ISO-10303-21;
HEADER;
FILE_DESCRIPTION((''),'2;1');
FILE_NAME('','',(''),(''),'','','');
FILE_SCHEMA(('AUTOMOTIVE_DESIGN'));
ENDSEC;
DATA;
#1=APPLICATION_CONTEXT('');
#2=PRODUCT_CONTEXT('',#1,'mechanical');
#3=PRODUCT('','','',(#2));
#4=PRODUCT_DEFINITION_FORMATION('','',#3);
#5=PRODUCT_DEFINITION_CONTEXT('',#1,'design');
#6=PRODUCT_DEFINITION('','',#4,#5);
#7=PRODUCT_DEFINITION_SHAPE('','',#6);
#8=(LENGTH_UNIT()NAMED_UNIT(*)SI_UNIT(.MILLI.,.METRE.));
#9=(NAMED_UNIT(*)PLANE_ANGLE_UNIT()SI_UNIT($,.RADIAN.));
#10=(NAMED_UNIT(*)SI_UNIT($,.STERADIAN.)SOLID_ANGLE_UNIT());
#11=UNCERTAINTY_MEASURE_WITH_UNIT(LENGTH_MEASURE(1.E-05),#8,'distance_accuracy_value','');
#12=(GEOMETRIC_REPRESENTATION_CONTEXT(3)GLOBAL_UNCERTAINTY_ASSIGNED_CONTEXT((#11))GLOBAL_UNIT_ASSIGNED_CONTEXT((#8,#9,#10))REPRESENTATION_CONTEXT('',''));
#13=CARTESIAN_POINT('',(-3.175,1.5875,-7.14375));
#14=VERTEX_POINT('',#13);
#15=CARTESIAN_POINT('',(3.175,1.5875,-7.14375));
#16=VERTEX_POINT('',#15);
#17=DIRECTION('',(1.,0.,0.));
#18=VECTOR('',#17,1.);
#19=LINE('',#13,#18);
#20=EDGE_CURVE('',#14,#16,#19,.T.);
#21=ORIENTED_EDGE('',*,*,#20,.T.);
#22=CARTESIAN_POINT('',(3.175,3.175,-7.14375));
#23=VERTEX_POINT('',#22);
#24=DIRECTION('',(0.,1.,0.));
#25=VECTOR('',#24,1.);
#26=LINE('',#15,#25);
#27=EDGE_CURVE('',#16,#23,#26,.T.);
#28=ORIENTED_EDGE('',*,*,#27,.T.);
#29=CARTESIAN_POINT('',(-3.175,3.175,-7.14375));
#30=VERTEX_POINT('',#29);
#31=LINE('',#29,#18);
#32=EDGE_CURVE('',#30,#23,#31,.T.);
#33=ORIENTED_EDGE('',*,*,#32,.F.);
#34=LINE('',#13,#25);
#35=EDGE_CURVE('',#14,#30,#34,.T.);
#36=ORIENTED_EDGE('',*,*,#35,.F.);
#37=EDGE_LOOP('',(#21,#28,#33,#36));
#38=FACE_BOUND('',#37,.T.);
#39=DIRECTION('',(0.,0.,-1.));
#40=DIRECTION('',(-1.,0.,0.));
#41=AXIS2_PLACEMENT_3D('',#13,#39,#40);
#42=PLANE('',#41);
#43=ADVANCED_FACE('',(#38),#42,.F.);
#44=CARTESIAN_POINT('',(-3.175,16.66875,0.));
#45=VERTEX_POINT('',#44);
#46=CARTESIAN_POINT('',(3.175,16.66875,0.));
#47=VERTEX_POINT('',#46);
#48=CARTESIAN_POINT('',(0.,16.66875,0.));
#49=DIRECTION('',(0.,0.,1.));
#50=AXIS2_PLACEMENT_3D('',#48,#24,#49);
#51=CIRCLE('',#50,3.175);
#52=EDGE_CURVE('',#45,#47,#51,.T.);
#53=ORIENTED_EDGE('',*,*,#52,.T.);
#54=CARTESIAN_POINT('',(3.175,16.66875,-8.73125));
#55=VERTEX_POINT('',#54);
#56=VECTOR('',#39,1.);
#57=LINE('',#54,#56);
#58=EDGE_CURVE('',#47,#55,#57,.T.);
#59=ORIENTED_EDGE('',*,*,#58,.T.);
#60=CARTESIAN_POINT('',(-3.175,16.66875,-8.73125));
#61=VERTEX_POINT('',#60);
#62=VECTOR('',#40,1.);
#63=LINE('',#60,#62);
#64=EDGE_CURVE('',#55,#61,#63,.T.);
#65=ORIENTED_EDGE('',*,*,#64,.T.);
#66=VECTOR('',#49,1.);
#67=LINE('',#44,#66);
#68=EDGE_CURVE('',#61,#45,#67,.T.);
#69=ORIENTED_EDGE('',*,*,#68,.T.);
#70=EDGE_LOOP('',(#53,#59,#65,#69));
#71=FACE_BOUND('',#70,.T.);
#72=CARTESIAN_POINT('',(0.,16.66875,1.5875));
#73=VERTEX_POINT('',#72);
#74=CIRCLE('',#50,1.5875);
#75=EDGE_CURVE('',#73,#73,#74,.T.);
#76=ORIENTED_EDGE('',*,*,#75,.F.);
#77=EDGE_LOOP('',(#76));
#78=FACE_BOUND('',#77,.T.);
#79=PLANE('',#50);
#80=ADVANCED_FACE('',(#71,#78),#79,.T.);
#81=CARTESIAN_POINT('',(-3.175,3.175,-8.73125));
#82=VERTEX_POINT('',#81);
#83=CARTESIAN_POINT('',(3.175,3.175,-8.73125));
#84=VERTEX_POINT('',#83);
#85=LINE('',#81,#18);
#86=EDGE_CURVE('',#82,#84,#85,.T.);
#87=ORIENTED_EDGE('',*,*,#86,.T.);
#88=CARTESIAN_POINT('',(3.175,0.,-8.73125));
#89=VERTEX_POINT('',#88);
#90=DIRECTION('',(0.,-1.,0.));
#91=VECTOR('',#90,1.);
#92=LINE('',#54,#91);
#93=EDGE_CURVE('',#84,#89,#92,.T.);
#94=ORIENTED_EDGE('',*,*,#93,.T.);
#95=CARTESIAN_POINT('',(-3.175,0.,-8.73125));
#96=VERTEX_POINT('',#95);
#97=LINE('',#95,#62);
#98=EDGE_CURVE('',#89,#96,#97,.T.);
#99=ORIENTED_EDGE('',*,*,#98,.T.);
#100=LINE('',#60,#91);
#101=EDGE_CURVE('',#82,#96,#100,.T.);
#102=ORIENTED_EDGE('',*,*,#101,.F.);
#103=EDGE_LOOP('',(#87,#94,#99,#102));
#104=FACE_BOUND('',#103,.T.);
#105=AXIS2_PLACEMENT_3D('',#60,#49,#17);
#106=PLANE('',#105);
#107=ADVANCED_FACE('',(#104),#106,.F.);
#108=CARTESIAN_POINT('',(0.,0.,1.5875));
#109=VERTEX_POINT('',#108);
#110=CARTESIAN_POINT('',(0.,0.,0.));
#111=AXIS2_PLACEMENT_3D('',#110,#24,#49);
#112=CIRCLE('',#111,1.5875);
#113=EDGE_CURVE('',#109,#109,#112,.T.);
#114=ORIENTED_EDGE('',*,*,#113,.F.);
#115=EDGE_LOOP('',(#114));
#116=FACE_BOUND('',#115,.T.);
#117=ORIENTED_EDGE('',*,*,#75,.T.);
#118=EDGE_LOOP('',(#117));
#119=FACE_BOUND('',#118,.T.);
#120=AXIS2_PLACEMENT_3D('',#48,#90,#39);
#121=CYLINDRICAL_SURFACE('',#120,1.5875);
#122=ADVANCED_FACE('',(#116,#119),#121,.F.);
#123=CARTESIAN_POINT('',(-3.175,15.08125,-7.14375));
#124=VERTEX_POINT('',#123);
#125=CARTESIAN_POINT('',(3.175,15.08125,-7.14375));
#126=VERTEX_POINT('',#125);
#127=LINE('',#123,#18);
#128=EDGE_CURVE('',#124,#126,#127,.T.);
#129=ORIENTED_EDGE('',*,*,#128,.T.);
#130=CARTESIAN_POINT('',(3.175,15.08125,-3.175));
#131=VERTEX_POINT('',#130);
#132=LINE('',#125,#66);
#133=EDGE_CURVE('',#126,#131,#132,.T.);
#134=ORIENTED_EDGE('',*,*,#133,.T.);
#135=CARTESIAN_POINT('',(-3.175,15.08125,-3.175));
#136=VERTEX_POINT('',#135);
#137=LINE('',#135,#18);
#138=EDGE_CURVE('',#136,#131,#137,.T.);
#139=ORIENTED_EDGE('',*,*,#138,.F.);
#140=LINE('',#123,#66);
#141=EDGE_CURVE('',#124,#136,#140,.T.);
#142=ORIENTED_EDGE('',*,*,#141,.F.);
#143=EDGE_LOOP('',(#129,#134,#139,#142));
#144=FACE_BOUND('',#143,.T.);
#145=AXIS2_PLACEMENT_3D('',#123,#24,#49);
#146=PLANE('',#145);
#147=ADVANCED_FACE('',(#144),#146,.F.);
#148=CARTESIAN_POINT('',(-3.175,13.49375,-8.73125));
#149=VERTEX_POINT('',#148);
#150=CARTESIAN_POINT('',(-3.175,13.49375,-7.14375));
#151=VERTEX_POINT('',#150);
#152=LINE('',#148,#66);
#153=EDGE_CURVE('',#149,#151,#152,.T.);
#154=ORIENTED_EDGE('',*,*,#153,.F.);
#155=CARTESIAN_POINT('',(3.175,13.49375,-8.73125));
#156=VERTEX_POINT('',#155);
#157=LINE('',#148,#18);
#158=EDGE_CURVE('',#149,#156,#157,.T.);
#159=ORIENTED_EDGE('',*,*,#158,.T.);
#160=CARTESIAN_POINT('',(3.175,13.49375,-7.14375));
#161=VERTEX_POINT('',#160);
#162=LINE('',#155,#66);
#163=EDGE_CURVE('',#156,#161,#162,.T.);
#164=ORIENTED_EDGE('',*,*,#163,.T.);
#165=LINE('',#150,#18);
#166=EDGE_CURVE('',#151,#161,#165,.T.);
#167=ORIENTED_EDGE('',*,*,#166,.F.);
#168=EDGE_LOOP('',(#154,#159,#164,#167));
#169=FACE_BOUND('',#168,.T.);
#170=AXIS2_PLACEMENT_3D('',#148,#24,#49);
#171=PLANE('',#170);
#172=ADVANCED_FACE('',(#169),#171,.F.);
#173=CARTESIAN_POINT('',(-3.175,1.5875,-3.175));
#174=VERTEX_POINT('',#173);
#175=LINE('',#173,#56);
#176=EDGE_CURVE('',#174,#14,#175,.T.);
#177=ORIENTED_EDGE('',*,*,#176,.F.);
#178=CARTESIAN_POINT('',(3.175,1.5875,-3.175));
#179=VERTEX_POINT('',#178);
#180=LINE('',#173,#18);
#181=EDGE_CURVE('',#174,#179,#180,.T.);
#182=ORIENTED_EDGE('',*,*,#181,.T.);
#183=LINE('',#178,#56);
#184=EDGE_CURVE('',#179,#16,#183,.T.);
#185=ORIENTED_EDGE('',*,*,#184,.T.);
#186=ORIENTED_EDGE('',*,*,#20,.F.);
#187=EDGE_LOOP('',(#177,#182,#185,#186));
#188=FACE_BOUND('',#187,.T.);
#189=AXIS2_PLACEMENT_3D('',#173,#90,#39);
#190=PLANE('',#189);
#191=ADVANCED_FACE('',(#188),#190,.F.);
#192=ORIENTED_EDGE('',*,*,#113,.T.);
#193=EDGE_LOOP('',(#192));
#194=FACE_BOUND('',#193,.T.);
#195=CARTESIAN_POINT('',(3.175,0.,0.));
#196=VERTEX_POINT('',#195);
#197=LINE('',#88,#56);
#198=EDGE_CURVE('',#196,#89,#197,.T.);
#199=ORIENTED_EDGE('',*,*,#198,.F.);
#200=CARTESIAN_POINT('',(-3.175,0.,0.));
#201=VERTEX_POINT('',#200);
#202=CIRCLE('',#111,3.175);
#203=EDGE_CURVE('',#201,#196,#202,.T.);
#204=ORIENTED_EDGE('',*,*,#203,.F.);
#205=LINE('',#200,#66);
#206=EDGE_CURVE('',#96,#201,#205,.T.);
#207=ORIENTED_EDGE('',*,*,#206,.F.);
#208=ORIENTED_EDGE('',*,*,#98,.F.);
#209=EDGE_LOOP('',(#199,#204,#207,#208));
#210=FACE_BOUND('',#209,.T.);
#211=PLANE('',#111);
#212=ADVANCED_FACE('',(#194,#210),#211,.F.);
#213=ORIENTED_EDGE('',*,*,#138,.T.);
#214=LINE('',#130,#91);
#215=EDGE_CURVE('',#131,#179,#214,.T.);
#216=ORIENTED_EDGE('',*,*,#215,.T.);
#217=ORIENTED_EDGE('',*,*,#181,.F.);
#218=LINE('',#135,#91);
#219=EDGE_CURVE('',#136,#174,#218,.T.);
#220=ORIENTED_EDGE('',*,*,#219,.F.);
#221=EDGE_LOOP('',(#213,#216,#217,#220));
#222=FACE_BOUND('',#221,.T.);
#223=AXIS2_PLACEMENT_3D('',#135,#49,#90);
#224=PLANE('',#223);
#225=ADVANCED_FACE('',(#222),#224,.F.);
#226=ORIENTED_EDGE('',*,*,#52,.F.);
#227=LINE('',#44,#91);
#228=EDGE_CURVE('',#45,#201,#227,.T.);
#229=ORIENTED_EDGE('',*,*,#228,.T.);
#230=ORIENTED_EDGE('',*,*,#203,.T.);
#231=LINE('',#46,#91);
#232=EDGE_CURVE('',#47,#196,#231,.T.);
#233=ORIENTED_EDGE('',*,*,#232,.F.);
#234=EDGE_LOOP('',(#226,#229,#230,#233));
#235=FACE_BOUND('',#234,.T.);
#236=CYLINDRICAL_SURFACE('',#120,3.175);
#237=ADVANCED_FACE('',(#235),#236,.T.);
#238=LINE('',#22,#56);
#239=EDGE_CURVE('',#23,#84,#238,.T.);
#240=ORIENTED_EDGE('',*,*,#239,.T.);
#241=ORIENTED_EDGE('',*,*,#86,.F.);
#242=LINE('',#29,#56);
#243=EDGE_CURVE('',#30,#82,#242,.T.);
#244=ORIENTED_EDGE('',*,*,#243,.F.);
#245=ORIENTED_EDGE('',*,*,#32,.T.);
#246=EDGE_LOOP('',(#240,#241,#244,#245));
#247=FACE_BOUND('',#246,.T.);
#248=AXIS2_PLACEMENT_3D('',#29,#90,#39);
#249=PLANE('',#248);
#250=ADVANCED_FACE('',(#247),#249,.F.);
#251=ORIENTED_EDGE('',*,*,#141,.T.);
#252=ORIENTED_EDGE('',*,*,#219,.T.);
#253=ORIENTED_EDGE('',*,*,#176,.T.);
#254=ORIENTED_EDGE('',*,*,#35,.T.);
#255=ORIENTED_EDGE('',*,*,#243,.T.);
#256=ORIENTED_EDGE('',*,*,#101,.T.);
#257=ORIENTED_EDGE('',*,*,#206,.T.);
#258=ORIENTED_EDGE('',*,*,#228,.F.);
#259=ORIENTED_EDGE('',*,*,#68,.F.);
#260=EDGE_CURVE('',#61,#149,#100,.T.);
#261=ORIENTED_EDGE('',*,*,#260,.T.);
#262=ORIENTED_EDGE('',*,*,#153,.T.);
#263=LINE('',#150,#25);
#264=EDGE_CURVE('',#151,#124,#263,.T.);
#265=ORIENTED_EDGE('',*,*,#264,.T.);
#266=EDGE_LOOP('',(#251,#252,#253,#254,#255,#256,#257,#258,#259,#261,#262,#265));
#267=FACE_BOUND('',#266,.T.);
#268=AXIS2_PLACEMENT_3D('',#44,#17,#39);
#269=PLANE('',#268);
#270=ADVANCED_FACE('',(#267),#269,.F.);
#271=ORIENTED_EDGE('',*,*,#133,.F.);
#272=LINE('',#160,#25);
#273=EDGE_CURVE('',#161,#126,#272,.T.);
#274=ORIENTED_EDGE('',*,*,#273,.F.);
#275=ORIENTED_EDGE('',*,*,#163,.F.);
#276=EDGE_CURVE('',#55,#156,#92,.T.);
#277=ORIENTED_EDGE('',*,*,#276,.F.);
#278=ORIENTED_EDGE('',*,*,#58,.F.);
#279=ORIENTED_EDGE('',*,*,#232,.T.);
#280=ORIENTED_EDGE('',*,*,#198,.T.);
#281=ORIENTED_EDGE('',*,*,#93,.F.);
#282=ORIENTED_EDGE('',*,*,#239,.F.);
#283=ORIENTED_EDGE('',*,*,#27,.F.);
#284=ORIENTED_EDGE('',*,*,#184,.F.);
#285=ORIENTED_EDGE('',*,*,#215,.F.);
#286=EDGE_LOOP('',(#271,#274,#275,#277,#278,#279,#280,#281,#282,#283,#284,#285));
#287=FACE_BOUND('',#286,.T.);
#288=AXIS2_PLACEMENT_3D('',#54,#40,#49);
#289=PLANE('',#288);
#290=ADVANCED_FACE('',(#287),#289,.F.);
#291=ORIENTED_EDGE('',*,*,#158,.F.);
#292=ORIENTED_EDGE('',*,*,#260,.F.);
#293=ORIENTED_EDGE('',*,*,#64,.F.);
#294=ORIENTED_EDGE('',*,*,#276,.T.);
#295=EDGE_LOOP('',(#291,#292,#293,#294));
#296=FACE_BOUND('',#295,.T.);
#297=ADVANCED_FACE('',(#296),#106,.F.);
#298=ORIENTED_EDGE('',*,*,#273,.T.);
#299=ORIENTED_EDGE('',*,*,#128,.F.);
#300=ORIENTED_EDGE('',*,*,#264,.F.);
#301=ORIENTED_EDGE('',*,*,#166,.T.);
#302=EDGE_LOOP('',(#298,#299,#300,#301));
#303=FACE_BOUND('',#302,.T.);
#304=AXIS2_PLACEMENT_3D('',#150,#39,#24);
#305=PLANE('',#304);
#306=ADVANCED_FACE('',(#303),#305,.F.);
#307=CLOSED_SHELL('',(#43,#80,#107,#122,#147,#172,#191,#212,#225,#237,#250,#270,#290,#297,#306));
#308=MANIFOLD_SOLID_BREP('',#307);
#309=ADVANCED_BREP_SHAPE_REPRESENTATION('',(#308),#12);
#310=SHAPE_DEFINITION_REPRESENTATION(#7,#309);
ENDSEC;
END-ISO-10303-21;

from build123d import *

# Parameters (mm, degrees)
SKETCH1_R           = 1.5875
BOSS_EXTRUDE1_DEPTH = 16.66875
CUT_EXTRUDE1_DEPTH  = 20.859618655


with BuildPart() as part:
    # Sketch1 → Boss-Extrude1 (new body)
    with BuildSketch(Plane(origin=(0, 0, 0), x_dir=(1, 0, 0), z_dir=(0, 1, 0))):
        with BuildLine():
            Line((-3.175, 0), (-3.175, 8.73125))
            Line((-3.175, 8.73125), (3.175, 8.73125))
            Line((3.175, 8.73125), (3.175, 0))
            ThreePointArc((3.175, 0), (0, -3.175), (-3.175, 0))
        make_face()
        with Locations(Location((0, 0, 0), (0, 0, 270))):
            Circle(SKETCH1_R, mode=Mode.SUBTRACT)
    extrude(amount=BOSS_EXTRUDE1_DEPTH)

    # Sketch3 → Cut-Extrude1 (cut, through all)
    with BuildSketch(Plane(origin=(3.175, 0, 0), x_dir=(0, 0, -1), z_dir=(1, 0, 0))):
        Polygon((8.73125, 13.49375), (7.14375, 13.49375), (7.14375, 15.08125), (3.175, 15.08125), (3.175, 1.5875), (7.14375, 1.5875), (7.14375, 3.175), (8.73125, 3.175), align=None)
    extrude(amount=-CUT_EXTRUDE1_DEPTH, mode=Mode.SUBTRACT)


solid = part.part
